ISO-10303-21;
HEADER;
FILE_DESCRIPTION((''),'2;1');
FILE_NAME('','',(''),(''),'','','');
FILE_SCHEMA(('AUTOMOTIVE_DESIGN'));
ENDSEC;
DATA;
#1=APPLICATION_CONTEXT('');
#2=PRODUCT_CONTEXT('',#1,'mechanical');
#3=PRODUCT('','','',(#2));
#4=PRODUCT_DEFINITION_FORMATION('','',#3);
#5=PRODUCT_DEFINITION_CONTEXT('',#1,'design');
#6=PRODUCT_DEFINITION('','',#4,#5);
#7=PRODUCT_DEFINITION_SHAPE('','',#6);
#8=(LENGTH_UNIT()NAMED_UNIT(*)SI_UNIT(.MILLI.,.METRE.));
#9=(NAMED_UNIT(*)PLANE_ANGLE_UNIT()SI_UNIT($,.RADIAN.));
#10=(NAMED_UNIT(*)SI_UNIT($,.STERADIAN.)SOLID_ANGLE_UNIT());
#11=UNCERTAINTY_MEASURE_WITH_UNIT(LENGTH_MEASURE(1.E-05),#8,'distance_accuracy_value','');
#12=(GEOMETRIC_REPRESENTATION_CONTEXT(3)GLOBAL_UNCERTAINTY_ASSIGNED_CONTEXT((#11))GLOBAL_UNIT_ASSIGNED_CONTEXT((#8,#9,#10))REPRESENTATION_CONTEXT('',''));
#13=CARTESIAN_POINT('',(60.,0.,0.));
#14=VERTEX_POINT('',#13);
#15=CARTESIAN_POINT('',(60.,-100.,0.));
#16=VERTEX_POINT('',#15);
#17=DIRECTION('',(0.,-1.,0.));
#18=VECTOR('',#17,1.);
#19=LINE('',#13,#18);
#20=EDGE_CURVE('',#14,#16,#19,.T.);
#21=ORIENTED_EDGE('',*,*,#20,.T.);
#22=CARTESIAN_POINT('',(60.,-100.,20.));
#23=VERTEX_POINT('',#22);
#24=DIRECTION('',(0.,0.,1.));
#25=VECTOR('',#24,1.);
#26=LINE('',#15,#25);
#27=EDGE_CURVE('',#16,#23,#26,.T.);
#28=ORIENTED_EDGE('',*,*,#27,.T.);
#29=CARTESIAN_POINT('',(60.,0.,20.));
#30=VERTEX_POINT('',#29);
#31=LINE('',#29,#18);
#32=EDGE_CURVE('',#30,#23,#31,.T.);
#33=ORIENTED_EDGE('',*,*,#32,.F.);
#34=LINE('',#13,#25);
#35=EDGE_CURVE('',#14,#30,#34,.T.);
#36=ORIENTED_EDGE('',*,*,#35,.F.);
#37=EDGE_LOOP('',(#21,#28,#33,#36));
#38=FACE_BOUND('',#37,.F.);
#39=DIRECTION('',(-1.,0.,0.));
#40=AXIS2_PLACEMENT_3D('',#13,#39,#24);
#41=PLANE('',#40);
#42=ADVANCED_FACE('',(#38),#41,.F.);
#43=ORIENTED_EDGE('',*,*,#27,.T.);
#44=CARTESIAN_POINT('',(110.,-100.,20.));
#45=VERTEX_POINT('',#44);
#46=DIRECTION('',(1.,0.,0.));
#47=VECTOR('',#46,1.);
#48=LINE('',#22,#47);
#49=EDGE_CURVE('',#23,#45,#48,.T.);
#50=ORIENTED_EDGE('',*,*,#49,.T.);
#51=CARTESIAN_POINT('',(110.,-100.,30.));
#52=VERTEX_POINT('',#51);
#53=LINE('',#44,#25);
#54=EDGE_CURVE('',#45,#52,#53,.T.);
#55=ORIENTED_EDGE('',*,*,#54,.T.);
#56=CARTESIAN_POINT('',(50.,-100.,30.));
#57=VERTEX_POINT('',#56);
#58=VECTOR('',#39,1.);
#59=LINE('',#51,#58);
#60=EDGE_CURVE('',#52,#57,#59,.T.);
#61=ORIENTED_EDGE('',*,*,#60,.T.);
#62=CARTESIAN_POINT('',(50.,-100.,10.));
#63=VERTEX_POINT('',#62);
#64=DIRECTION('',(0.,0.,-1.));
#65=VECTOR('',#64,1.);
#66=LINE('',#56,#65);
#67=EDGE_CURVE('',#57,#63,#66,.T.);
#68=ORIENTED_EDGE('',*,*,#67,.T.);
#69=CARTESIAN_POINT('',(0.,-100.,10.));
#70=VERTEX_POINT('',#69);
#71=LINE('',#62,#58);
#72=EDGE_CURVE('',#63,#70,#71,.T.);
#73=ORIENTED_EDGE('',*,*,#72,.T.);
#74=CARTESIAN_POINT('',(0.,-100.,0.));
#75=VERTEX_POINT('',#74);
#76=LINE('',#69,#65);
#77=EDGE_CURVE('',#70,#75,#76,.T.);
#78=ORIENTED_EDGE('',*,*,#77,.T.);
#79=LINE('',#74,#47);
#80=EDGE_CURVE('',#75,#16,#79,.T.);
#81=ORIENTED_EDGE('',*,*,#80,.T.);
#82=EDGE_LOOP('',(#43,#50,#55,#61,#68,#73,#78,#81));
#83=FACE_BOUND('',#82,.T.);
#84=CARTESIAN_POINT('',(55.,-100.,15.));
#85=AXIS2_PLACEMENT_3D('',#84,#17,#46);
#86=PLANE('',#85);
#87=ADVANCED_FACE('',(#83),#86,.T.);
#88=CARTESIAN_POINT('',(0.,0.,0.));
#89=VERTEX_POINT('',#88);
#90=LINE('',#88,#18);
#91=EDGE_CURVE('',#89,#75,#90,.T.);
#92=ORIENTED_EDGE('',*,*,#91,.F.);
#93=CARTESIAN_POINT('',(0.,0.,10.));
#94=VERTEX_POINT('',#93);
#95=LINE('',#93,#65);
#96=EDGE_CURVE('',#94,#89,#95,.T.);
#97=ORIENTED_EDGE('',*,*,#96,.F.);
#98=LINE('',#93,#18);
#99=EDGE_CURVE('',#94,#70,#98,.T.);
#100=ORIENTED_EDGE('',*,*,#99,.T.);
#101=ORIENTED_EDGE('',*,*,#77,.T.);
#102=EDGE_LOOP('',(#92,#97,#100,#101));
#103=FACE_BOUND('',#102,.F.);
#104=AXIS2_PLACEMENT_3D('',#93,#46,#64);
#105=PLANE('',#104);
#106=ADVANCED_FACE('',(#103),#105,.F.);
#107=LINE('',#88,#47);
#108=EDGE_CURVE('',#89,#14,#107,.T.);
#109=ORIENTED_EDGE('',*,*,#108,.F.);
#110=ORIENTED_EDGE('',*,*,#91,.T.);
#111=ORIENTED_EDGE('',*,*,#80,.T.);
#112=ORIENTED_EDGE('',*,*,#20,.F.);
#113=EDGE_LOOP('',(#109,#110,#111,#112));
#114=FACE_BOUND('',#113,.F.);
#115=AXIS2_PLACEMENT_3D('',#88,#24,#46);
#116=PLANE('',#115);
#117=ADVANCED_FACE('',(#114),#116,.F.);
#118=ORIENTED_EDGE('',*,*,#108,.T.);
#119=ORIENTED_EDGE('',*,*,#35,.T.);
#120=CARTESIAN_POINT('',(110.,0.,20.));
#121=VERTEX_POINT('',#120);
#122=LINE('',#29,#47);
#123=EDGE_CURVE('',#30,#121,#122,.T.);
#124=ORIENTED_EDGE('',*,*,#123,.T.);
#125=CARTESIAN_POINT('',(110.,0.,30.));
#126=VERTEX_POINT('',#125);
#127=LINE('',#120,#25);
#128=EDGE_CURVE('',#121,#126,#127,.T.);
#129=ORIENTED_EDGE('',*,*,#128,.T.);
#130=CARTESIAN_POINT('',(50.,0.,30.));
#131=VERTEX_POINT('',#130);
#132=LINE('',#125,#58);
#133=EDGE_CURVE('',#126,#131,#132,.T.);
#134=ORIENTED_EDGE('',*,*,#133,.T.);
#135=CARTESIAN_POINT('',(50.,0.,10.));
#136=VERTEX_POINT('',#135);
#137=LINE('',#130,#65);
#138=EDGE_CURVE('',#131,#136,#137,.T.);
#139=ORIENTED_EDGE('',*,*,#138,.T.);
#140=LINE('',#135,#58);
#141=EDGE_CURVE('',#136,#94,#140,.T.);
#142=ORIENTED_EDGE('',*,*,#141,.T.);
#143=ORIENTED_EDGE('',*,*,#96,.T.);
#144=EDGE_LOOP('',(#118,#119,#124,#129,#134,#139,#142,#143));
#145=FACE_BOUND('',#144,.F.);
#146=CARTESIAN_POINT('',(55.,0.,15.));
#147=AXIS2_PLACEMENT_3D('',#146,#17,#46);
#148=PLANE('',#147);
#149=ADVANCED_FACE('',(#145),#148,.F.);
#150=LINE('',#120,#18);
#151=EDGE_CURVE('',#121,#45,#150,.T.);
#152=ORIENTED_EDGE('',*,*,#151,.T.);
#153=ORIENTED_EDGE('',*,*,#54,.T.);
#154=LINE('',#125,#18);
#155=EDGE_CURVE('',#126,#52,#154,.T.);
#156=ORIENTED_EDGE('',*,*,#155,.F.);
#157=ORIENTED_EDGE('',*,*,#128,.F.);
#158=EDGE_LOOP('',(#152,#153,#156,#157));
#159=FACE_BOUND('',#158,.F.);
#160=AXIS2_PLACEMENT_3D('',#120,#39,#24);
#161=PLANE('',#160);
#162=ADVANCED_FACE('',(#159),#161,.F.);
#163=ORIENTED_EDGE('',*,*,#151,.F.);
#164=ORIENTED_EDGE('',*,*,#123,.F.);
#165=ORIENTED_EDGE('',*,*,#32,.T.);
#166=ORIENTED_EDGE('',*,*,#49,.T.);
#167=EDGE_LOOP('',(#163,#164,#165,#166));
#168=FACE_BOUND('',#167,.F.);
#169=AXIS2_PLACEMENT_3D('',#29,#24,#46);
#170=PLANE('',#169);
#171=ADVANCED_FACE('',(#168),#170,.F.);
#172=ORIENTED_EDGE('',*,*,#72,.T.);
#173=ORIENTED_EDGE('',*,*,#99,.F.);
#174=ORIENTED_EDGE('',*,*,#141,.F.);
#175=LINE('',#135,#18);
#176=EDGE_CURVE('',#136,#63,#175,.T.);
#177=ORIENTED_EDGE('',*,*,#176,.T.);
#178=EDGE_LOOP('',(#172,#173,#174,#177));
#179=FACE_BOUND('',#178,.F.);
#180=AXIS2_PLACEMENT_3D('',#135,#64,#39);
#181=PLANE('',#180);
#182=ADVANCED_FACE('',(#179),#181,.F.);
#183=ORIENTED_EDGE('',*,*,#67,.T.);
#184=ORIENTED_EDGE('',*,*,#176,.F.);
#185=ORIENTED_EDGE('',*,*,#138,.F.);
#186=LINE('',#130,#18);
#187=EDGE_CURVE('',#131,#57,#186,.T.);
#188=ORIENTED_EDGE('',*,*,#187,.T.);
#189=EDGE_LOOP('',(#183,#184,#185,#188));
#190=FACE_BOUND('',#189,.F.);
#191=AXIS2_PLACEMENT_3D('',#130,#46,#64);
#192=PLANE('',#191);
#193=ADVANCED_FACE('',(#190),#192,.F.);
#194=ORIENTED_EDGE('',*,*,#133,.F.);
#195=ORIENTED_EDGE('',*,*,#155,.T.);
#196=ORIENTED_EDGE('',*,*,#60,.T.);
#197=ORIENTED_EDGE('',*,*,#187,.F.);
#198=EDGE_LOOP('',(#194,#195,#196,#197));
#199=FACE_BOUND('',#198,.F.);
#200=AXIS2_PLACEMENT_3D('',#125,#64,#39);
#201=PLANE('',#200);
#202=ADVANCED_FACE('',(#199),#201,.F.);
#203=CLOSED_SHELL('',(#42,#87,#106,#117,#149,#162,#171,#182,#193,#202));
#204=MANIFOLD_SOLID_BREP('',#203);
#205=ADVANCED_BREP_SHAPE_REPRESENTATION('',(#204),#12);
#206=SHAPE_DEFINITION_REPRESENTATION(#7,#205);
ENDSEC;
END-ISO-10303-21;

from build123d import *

# Parameters (mm, degrees)
PAD_DEPTH = 100


with BuildPart() as part:
    # Sketch → Pad (new body)
    with BuildSketch(Plane.XZ):
        Polygon((0, 0), (60, 0), (60, 20), (110, 20), (110, 30), (50, 30), (50, 10), (0, 10), align=None)
    extrude(amount=PAD_DEPTH)


solid = part.part
